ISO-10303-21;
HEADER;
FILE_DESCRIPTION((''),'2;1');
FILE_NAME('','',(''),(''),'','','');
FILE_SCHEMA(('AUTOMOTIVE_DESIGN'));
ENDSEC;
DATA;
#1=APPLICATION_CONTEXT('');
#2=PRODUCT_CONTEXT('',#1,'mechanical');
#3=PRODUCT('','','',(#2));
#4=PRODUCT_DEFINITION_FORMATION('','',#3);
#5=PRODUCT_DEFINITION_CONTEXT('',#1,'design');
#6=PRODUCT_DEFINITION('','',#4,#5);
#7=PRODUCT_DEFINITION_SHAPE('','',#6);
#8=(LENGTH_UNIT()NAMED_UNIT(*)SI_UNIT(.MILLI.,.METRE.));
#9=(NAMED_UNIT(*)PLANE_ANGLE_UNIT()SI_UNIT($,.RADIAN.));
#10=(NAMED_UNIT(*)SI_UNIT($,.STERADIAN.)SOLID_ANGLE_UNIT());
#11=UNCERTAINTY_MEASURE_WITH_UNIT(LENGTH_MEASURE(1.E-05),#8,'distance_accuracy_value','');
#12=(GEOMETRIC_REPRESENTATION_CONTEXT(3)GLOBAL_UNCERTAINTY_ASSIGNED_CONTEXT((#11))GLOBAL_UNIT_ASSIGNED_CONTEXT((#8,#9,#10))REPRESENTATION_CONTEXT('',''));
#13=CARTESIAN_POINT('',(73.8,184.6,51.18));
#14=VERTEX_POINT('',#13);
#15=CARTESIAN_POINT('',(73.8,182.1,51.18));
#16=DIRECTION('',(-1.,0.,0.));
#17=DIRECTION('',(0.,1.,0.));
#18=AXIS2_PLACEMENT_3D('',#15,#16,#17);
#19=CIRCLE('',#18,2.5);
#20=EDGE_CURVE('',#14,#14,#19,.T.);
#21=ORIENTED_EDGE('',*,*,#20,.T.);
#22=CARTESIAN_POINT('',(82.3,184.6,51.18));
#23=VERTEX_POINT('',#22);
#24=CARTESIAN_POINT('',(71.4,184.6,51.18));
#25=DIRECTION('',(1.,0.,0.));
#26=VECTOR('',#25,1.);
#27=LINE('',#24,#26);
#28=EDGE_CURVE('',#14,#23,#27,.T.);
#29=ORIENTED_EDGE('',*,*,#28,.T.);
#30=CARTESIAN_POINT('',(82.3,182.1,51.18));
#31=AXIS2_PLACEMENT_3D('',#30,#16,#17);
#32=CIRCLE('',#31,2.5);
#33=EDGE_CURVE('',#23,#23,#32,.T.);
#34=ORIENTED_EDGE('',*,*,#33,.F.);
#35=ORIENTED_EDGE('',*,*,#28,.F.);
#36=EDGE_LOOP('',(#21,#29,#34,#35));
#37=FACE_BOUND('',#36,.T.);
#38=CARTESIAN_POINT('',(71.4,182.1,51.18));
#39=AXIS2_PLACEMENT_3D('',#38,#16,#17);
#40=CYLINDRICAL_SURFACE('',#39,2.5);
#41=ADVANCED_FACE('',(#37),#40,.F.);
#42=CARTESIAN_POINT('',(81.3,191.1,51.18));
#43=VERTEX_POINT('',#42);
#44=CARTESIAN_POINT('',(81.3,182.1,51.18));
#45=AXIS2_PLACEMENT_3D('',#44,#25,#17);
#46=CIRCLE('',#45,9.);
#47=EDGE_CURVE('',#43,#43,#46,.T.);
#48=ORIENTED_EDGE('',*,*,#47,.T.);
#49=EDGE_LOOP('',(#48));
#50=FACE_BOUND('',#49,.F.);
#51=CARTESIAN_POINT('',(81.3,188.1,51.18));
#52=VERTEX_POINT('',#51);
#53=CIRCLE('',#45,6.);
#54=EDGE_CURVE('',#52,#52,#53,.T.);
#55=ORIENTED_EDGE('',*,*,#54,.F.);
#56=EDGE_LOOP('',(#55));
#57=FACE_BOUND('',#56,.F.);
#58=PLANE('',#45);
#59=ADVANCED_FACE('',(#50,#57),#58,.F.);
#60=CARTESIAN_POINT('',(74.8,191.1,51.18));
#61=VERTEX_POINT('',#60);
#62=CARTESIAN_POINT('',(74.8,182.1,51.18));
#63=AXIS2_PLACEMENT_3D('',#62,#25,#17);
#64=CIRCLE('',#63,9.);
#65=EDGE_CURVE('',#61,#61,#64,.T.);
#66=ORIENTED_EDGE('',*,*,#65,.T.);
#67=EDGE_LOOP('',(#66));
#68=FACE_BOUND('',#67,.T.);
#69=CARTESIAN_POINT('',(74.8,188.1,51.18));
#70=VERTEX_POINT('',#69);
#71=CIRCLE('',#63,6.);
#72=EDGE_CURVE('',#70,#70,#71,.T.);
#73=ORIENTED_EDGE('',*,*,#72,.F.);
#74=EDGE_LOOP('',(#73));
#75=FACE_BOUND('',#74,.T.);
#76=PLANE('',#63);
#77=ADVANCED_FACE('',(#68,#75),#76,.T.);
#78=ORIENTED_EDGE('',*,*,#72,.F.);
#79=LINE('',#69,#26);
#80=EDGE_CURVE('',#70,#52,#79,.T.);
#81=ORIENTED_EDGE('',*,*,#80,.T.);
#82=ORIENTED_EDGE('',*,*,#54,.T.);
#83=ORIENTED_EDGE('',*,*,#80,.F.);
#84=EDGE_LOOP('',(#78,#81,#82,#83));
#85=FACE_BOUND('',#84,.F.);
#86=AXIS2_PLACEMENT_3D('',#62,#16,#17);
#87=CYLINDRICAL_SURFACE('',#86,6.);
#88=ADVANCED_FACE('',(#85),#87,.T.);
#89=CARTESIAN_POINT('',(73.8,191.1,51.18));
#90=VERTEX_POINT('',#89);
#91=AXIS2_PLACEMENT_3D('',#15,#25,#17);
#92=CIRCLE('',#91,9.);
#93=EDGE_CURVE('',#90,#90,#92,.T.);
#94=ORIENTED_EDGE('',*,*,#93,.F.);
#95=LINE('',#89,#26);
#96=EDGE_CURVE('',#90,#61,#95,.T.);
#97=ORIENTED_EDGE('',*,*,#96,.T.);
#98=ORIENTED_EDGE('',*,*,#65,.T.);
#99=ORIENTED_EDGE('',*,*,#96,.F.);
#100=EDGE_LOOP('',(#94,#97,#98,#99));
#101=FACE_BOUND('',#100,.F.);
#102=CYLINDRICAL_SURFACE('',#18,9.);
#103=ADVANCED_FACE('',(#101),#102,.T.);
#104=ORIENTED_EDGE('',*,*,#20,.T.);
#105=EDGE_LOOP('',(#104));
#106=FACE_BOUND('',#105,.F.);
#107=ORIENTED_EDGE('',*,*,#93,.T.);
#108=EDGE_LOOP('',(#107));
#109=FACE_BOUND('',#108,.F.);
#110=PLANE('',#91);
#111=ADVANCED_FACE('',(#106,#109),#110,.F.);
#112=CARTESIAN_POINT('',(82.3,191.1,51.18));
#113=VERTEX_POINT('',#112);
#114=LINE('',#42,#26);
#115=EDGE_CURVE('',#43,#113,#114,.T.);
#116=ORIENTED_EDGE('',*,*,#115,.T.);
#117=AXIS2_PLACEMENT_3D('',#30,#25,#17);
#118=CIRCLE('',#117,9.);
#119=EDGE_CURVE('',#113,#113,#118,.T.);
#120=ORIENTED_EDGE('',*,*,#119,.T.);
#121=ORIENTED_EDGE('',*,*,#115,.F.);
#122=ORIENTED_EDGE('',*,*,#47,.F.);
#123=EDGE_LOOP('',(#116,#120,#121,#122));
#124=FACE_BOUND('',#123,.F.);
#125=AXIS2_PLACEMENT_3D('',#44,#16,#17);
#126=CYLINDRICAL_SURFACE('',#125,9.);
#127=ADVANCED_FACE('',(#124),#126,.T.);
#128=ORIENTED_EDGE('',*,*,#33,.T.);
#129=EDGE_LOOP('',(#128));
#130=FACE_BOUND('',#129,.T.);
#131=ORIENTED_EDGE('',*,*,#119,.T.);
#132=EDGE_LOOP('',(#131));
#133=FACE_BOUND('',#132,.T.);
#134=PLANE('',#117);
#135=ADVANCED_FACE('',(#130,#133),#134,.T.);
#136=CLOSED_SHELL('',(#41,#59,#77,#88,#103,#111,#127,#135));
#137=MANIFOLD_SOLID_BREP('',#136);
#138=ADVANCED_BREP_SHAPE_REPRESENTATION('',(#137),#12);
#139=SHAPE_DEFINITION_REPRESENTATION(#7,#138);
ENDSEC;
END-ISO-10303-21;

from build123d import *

# Parameters (mm, degrees)
CYLINDER286_R          = 2.5
CYLINDER286_DEPTH      = 14.5
CYLINDER289_R          = 6
CYLINDER289_DEPTH      = 6.5
CYLINDER288_R          = 9
CYLINDER288_DEPTH      = 1
CYLINDER287_R          = 9
CYLINDER287_DEPTH      = 1
CUT203_ROLL_ANGLE      = 90
CUT203_PLACEMENT_ANGLE = 90


with BuildPart() as cylinder286:
    # Cylinder286 → Cylinder286 (new body)
    with BuildSketch(Plane.XY.offset(-2.4)):
        Circle(CYLINDER286_R)
    extrude(amount=CYLINDER286_DEPTH)


with BuildPart() as cylinder289:
    # Cylinder289 → Cylinder289 (new body)
    with BuildSketch(Plane.XY.offset(1)):
        Circle(CYLINDER289_R)
    extrude(amount=CYLINDER289_DEPTH)


with BuildPart() as cylinder288:
    # Cylinder288 → Cylinder288 (new body)
    with BuildSketch(Plane.XY.offset(7.5)):
        Circle(CYLINDER288_R)
    extrude(amount=CYLINDER288_DEPTH)


with BuildPart() as cut203:
    # Cylinder287 → Cylinder287 (new body)
    with BuildSketch(Plane.XY):
        Circle(CYLINDER287_R)
    extrude(amount=CYLINDER287_DEPTH)

    # Fusion109: union Cylinder289, Cylinder288
    add(cylinder289.part)
    add(cylinder288.part)

    # Cut203: cut Cylinder286
    add(cylinder286.part, mode=Mode.SUBTRACT)


with BuildPart() as cut203_1:
    # Cut203 roll: moved
    add(cut203.part.rotate(Axis((0, 0, 0), (1, 0, 0)), CUT203_ROLL_ANGLE))


with BuildPart() as cut203_2:
    # Cut203 placement: moved
    add(cut203_1.part.moved(Location((73.8, 182.1, 51.18))).rotate(Axis((73.8, 182.1, 51.18), (0, 0, 1)), CUT203_PLACEMENT_ANGLE))


solid = cut203_2.part
